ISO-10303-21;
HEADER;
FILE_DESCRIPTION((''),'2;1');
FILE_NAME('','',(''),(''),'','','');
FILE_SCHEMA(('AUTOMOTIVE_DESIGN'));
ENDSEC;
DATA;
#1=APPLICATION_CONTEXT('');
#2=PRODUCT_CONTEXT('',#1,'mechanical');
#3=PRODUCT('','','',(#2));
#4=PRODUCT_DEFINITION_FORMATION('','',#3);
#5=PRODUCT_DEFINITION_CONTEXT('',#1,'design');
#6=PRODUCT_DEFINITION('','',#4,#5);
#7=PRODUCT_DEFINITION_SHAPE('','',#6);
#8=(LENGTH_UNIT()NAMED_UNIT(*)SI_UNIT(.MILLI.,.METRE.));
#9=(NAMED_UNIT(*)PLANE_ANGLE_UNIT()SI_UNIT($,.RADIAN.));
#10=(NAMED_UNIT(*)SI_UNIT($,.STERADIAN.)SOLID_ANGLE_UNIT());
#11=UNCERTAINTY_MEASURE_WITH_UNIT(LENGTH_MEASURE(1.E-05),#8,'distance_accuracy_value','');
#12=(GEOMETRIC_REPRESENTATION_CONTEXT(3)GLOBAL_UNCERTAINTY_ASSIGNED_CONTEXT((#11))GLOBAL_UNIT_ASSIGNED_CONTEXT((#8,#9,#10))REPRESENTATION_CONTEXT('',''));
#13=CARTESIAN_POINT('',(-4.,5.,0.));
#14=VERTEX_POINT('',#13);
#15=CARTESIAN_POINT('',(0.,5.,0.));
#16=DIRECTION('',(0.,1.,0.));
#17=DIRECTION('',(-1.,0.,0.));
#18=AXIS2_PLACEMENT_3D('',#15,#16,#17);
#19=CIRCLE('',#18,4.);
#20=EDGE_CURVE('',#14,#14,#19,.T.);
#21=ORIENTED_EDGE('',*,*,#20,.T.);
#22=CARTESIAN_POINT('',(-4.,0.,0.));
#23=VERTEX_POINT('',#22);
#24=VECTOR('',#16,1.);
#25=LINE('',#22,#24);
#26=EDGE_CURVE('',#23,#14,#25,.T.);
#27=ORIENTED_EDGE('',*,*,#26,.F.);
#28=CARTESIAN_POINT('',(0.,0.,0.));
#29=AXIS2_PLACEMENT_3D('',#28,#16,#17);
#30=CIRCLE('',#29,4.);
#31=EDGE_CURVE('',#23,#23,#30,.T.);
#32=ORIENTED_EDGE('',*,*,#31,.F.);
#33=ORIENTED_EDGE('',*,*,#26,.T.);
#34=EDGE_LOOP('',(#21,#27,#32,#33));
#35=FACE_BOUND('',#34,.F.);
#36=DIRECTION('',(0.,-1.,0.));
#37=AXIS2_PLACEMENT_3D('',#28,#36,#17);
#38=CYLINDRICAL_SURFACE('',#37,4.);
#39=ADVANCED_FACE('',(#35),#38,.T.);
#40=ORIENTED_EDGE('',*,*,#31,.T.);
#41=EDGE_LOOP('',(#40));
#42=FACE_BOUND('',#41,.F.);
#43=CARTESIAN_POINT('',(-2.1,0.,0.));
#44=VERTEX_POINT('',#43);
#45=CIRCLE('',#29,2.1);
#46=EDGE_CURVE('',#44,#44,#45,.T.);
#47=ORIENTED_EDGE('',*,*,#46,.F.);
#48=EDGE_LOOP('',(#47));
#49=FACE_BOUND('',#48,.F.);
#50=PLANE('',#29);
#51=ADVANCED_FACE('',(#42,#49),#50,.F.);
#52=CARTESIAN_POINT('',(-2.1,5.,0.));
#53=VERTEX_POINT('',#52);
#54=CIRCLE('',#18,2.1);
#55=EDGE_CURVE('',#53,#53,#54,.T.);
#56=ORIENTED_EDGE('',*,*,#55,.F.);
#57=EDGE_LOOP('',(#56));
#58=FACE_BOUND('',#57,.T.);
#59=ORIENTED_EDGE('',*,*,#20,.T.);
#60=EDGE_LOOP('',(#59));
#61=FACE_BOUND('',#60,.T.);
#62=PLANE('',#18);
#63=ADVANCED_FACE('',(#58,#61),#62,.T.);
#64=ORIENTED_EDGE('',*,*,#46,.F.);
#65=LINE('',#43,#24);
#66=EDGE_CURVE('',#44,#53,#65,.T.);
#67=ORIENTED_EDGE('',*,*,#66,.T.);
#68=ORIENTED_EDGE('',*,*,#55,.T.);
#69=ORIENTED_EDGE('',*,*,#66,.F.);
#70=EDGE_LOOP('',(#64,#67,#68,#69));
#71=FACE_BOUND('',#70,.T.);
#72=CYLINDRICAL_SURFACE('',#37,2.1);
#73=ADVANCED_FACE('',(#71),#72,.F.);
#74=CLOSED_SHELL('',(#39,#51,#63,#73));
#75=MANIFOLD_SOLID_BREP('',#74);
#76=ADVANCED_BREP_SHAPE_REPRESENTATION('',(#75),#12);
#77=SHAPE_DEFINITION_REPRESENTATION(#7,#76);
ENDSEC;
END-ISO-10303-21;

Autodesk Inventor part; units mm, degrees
ref_plane "YZ Plane" through (0, 0, 0) normal (1, 0, 0) x (0, 1, 0)
ref_plane "XZ Plane" through (0, 0, 0) normal (0, 1, 0) x (-1, 0, 0)
ref_plane "XY Plane" through (0, 0, 0) normal (0, 0, 1) x (1, 0, 0)
sketch "Skizze1" plane through (0, 0, 0) normal (0, 1, 0) x (-1, 0, 0)
  circle A0 centre (0, 0) radius 4
  circle A1 centre (0, 0) radius 2.1
  dimension "d0" = 8
  dimension "d1" = 4.2
extrude "Extrusion1" add sketch "Skizze1" along normal blind 5
properties part number "distanzbüchse_kipphebel"
